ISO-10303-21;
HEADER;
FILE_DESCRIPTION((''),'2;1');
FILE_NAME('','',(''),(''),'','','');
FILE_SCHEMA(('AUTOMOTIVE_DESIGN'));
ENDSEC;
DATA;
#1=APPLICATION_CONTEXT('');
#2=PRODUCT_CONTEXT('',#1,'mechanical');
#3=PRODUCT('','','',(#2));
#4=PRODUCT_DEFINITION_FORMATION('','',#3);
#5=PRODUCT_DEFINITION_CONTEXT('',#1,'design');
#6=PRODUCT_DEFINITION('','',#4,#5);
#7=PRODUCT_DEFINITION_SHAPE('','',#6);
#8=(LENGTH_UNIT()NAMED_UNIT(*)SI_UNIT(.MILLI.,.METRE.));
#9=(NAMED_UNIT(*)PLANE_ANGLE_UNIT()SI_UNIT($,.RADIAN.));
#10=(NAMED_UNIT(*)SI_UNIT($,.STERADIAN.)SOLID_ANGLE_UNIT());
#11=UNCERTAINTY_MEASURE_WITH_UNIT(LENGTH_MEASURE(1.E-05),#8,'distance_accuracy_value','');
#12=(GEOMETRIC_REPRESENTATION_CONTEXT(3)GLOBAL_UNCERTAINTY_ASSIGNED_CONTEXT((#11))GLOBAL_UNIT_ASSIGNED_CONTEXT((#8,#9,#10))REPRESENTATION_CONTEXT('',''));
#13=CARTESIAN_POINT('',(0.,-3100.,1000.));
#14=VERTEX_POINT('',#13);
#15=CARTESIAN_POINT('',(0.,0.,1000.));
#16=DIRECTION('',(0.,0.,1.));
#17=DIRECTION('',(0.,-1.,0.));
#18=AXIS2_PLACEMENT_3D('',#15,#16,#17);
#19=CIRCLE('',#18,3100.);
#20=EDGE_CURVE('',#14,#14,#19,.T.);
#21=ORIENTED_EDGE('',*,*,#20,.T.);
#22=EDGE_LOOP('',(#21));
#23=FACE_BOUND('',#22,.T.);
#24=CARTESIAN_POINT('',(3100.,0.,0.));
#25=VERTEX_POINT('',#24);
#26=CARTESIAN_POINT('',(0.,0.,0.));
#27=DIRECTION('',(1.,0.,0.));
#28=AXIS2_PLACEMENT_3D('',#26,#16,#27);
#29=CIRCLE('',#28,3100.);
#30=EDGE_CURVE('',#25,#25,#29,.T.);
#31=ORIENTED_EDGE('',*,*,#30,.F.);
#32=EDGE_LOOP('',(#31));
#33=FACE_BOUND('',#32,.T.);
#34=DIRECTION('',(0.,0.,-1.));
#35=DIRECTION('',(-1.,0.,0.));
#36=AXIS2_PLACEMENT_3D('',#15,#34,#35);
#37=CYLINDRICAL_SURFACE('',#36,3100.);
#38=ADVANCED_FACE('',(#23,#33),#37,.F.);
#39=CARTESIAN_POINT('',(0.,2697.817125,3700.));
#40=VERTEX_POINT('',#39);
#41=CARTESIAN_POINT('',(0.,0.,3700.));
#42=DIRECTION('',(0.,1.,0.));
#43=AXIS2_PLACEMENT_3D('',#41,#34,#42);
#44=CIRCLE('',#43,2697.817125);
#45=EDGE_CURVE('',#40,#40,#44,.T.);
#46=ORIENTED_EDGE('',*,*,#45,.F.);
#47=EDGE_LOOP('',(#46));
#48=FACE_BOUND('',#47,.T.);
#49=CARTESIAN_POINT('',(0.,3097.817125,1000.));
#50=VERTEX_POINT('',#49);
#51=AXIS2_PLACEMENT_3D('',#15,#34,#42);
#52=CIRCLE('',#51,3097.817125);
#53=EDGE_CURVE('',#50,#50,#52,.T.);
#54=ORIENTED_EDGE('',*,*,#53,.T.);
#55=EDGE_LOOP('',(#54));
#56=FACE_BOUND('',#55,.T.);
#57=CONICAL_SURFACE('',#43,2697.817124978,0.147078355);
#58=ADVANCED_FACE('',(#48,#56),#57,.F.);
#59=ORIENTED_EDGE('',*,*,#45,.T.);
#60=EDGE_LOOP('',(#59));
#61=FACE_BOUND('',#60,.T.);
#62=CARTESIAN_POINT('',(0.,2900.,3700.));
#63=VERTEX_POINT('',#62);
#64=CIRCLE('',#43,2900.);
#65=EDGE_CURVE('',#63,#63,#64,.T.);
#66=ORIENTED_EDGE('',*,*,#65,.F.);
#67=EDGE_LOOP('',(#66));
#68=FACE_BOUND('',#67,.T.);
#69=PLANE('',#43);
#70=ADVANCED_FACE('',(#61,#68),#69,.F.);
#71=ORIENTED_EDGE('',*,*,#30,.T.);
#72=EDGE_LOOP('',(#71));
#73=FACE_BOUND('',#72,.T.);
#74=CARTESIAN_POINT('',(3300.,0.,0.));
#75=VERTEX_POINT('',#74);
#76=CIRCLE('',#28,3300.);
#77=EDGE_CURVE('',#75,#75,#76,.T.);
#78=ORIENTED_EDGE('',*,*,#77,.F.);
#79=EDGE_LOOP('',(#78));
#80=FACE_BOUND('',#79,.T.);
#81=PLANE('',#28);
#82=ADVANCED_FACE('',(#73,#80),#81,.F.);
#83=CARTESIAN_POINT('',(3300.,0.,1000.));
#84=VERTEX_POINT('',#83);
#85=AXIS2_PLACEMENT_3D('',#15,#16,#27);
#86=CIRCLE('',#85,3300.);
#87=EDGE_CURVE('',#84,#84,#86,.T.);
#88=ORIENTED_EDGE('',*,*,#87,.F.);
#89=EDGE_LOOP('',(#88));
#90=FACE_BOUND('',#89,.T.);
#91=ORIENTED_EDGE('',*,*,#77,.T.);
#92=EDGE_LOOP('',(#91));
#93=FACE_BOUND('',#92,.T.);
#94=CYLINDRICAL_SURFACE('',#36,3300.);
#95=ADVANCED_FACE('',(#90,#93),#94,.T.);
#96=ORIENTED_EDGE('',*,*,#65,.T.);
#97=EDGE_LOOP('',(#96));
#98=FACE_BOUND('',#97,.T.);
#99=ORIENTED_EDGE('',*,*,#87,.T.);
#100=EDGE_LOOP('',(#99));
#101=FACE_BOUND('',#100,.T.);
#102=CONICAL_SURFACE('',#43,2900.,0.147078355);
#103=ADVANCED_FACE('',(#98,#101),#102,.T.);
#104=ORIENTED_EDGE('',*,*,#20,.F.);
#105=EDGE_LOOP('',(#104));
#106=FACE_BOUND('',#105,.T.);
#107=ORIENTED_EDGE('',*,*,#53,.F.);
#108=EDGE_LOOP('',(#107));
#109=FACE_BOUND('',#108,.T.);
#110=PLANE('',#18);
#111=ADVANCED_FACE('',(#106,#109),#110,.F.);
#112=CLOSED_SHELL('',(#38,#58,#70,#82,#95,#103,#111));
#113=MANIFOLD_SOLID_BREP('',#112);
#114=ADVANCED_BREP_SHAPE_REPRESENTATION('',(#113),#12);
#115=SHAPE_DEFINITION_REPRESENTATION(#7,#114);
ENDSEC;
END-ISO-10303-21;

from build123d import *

# Parameters (mm, degrees)
SCHIZZO1_R                   = 3300
SCHIZZO1_R_2                 = 3100
ESTRUSIONE_ESTRUSIONE1_DEPTH = 1000


with BuildPart() as part:
    # Schizzo1 → Estrusione-Estrusione1 (new body)
    with BuildSketch(Plane.XY):
        Circle(SCHIZZO1_R)
        Circle(SCHIZZO1_R_2, mode=Mode.SUBTRACT)
    extrude(amount=ESTRUSIONE_ESTRUSIONE1_DEPTH)

    # Schizzo3 → Rivoluzione1 (revolve)
    with BuildSketch(Plane(origin=(0, 0, 0), x_dir=(0, 0, -1), z_dir=(1, 0, 0))):
        Polygon((-3700, 2697.817124978), (-3700, 2900), (-1000, 3300), (-1000, 3097.817124978), align=None)
    revolve(axis=Axis((0, 0, 1000), (0, 0, 1)))


solid = part.part
